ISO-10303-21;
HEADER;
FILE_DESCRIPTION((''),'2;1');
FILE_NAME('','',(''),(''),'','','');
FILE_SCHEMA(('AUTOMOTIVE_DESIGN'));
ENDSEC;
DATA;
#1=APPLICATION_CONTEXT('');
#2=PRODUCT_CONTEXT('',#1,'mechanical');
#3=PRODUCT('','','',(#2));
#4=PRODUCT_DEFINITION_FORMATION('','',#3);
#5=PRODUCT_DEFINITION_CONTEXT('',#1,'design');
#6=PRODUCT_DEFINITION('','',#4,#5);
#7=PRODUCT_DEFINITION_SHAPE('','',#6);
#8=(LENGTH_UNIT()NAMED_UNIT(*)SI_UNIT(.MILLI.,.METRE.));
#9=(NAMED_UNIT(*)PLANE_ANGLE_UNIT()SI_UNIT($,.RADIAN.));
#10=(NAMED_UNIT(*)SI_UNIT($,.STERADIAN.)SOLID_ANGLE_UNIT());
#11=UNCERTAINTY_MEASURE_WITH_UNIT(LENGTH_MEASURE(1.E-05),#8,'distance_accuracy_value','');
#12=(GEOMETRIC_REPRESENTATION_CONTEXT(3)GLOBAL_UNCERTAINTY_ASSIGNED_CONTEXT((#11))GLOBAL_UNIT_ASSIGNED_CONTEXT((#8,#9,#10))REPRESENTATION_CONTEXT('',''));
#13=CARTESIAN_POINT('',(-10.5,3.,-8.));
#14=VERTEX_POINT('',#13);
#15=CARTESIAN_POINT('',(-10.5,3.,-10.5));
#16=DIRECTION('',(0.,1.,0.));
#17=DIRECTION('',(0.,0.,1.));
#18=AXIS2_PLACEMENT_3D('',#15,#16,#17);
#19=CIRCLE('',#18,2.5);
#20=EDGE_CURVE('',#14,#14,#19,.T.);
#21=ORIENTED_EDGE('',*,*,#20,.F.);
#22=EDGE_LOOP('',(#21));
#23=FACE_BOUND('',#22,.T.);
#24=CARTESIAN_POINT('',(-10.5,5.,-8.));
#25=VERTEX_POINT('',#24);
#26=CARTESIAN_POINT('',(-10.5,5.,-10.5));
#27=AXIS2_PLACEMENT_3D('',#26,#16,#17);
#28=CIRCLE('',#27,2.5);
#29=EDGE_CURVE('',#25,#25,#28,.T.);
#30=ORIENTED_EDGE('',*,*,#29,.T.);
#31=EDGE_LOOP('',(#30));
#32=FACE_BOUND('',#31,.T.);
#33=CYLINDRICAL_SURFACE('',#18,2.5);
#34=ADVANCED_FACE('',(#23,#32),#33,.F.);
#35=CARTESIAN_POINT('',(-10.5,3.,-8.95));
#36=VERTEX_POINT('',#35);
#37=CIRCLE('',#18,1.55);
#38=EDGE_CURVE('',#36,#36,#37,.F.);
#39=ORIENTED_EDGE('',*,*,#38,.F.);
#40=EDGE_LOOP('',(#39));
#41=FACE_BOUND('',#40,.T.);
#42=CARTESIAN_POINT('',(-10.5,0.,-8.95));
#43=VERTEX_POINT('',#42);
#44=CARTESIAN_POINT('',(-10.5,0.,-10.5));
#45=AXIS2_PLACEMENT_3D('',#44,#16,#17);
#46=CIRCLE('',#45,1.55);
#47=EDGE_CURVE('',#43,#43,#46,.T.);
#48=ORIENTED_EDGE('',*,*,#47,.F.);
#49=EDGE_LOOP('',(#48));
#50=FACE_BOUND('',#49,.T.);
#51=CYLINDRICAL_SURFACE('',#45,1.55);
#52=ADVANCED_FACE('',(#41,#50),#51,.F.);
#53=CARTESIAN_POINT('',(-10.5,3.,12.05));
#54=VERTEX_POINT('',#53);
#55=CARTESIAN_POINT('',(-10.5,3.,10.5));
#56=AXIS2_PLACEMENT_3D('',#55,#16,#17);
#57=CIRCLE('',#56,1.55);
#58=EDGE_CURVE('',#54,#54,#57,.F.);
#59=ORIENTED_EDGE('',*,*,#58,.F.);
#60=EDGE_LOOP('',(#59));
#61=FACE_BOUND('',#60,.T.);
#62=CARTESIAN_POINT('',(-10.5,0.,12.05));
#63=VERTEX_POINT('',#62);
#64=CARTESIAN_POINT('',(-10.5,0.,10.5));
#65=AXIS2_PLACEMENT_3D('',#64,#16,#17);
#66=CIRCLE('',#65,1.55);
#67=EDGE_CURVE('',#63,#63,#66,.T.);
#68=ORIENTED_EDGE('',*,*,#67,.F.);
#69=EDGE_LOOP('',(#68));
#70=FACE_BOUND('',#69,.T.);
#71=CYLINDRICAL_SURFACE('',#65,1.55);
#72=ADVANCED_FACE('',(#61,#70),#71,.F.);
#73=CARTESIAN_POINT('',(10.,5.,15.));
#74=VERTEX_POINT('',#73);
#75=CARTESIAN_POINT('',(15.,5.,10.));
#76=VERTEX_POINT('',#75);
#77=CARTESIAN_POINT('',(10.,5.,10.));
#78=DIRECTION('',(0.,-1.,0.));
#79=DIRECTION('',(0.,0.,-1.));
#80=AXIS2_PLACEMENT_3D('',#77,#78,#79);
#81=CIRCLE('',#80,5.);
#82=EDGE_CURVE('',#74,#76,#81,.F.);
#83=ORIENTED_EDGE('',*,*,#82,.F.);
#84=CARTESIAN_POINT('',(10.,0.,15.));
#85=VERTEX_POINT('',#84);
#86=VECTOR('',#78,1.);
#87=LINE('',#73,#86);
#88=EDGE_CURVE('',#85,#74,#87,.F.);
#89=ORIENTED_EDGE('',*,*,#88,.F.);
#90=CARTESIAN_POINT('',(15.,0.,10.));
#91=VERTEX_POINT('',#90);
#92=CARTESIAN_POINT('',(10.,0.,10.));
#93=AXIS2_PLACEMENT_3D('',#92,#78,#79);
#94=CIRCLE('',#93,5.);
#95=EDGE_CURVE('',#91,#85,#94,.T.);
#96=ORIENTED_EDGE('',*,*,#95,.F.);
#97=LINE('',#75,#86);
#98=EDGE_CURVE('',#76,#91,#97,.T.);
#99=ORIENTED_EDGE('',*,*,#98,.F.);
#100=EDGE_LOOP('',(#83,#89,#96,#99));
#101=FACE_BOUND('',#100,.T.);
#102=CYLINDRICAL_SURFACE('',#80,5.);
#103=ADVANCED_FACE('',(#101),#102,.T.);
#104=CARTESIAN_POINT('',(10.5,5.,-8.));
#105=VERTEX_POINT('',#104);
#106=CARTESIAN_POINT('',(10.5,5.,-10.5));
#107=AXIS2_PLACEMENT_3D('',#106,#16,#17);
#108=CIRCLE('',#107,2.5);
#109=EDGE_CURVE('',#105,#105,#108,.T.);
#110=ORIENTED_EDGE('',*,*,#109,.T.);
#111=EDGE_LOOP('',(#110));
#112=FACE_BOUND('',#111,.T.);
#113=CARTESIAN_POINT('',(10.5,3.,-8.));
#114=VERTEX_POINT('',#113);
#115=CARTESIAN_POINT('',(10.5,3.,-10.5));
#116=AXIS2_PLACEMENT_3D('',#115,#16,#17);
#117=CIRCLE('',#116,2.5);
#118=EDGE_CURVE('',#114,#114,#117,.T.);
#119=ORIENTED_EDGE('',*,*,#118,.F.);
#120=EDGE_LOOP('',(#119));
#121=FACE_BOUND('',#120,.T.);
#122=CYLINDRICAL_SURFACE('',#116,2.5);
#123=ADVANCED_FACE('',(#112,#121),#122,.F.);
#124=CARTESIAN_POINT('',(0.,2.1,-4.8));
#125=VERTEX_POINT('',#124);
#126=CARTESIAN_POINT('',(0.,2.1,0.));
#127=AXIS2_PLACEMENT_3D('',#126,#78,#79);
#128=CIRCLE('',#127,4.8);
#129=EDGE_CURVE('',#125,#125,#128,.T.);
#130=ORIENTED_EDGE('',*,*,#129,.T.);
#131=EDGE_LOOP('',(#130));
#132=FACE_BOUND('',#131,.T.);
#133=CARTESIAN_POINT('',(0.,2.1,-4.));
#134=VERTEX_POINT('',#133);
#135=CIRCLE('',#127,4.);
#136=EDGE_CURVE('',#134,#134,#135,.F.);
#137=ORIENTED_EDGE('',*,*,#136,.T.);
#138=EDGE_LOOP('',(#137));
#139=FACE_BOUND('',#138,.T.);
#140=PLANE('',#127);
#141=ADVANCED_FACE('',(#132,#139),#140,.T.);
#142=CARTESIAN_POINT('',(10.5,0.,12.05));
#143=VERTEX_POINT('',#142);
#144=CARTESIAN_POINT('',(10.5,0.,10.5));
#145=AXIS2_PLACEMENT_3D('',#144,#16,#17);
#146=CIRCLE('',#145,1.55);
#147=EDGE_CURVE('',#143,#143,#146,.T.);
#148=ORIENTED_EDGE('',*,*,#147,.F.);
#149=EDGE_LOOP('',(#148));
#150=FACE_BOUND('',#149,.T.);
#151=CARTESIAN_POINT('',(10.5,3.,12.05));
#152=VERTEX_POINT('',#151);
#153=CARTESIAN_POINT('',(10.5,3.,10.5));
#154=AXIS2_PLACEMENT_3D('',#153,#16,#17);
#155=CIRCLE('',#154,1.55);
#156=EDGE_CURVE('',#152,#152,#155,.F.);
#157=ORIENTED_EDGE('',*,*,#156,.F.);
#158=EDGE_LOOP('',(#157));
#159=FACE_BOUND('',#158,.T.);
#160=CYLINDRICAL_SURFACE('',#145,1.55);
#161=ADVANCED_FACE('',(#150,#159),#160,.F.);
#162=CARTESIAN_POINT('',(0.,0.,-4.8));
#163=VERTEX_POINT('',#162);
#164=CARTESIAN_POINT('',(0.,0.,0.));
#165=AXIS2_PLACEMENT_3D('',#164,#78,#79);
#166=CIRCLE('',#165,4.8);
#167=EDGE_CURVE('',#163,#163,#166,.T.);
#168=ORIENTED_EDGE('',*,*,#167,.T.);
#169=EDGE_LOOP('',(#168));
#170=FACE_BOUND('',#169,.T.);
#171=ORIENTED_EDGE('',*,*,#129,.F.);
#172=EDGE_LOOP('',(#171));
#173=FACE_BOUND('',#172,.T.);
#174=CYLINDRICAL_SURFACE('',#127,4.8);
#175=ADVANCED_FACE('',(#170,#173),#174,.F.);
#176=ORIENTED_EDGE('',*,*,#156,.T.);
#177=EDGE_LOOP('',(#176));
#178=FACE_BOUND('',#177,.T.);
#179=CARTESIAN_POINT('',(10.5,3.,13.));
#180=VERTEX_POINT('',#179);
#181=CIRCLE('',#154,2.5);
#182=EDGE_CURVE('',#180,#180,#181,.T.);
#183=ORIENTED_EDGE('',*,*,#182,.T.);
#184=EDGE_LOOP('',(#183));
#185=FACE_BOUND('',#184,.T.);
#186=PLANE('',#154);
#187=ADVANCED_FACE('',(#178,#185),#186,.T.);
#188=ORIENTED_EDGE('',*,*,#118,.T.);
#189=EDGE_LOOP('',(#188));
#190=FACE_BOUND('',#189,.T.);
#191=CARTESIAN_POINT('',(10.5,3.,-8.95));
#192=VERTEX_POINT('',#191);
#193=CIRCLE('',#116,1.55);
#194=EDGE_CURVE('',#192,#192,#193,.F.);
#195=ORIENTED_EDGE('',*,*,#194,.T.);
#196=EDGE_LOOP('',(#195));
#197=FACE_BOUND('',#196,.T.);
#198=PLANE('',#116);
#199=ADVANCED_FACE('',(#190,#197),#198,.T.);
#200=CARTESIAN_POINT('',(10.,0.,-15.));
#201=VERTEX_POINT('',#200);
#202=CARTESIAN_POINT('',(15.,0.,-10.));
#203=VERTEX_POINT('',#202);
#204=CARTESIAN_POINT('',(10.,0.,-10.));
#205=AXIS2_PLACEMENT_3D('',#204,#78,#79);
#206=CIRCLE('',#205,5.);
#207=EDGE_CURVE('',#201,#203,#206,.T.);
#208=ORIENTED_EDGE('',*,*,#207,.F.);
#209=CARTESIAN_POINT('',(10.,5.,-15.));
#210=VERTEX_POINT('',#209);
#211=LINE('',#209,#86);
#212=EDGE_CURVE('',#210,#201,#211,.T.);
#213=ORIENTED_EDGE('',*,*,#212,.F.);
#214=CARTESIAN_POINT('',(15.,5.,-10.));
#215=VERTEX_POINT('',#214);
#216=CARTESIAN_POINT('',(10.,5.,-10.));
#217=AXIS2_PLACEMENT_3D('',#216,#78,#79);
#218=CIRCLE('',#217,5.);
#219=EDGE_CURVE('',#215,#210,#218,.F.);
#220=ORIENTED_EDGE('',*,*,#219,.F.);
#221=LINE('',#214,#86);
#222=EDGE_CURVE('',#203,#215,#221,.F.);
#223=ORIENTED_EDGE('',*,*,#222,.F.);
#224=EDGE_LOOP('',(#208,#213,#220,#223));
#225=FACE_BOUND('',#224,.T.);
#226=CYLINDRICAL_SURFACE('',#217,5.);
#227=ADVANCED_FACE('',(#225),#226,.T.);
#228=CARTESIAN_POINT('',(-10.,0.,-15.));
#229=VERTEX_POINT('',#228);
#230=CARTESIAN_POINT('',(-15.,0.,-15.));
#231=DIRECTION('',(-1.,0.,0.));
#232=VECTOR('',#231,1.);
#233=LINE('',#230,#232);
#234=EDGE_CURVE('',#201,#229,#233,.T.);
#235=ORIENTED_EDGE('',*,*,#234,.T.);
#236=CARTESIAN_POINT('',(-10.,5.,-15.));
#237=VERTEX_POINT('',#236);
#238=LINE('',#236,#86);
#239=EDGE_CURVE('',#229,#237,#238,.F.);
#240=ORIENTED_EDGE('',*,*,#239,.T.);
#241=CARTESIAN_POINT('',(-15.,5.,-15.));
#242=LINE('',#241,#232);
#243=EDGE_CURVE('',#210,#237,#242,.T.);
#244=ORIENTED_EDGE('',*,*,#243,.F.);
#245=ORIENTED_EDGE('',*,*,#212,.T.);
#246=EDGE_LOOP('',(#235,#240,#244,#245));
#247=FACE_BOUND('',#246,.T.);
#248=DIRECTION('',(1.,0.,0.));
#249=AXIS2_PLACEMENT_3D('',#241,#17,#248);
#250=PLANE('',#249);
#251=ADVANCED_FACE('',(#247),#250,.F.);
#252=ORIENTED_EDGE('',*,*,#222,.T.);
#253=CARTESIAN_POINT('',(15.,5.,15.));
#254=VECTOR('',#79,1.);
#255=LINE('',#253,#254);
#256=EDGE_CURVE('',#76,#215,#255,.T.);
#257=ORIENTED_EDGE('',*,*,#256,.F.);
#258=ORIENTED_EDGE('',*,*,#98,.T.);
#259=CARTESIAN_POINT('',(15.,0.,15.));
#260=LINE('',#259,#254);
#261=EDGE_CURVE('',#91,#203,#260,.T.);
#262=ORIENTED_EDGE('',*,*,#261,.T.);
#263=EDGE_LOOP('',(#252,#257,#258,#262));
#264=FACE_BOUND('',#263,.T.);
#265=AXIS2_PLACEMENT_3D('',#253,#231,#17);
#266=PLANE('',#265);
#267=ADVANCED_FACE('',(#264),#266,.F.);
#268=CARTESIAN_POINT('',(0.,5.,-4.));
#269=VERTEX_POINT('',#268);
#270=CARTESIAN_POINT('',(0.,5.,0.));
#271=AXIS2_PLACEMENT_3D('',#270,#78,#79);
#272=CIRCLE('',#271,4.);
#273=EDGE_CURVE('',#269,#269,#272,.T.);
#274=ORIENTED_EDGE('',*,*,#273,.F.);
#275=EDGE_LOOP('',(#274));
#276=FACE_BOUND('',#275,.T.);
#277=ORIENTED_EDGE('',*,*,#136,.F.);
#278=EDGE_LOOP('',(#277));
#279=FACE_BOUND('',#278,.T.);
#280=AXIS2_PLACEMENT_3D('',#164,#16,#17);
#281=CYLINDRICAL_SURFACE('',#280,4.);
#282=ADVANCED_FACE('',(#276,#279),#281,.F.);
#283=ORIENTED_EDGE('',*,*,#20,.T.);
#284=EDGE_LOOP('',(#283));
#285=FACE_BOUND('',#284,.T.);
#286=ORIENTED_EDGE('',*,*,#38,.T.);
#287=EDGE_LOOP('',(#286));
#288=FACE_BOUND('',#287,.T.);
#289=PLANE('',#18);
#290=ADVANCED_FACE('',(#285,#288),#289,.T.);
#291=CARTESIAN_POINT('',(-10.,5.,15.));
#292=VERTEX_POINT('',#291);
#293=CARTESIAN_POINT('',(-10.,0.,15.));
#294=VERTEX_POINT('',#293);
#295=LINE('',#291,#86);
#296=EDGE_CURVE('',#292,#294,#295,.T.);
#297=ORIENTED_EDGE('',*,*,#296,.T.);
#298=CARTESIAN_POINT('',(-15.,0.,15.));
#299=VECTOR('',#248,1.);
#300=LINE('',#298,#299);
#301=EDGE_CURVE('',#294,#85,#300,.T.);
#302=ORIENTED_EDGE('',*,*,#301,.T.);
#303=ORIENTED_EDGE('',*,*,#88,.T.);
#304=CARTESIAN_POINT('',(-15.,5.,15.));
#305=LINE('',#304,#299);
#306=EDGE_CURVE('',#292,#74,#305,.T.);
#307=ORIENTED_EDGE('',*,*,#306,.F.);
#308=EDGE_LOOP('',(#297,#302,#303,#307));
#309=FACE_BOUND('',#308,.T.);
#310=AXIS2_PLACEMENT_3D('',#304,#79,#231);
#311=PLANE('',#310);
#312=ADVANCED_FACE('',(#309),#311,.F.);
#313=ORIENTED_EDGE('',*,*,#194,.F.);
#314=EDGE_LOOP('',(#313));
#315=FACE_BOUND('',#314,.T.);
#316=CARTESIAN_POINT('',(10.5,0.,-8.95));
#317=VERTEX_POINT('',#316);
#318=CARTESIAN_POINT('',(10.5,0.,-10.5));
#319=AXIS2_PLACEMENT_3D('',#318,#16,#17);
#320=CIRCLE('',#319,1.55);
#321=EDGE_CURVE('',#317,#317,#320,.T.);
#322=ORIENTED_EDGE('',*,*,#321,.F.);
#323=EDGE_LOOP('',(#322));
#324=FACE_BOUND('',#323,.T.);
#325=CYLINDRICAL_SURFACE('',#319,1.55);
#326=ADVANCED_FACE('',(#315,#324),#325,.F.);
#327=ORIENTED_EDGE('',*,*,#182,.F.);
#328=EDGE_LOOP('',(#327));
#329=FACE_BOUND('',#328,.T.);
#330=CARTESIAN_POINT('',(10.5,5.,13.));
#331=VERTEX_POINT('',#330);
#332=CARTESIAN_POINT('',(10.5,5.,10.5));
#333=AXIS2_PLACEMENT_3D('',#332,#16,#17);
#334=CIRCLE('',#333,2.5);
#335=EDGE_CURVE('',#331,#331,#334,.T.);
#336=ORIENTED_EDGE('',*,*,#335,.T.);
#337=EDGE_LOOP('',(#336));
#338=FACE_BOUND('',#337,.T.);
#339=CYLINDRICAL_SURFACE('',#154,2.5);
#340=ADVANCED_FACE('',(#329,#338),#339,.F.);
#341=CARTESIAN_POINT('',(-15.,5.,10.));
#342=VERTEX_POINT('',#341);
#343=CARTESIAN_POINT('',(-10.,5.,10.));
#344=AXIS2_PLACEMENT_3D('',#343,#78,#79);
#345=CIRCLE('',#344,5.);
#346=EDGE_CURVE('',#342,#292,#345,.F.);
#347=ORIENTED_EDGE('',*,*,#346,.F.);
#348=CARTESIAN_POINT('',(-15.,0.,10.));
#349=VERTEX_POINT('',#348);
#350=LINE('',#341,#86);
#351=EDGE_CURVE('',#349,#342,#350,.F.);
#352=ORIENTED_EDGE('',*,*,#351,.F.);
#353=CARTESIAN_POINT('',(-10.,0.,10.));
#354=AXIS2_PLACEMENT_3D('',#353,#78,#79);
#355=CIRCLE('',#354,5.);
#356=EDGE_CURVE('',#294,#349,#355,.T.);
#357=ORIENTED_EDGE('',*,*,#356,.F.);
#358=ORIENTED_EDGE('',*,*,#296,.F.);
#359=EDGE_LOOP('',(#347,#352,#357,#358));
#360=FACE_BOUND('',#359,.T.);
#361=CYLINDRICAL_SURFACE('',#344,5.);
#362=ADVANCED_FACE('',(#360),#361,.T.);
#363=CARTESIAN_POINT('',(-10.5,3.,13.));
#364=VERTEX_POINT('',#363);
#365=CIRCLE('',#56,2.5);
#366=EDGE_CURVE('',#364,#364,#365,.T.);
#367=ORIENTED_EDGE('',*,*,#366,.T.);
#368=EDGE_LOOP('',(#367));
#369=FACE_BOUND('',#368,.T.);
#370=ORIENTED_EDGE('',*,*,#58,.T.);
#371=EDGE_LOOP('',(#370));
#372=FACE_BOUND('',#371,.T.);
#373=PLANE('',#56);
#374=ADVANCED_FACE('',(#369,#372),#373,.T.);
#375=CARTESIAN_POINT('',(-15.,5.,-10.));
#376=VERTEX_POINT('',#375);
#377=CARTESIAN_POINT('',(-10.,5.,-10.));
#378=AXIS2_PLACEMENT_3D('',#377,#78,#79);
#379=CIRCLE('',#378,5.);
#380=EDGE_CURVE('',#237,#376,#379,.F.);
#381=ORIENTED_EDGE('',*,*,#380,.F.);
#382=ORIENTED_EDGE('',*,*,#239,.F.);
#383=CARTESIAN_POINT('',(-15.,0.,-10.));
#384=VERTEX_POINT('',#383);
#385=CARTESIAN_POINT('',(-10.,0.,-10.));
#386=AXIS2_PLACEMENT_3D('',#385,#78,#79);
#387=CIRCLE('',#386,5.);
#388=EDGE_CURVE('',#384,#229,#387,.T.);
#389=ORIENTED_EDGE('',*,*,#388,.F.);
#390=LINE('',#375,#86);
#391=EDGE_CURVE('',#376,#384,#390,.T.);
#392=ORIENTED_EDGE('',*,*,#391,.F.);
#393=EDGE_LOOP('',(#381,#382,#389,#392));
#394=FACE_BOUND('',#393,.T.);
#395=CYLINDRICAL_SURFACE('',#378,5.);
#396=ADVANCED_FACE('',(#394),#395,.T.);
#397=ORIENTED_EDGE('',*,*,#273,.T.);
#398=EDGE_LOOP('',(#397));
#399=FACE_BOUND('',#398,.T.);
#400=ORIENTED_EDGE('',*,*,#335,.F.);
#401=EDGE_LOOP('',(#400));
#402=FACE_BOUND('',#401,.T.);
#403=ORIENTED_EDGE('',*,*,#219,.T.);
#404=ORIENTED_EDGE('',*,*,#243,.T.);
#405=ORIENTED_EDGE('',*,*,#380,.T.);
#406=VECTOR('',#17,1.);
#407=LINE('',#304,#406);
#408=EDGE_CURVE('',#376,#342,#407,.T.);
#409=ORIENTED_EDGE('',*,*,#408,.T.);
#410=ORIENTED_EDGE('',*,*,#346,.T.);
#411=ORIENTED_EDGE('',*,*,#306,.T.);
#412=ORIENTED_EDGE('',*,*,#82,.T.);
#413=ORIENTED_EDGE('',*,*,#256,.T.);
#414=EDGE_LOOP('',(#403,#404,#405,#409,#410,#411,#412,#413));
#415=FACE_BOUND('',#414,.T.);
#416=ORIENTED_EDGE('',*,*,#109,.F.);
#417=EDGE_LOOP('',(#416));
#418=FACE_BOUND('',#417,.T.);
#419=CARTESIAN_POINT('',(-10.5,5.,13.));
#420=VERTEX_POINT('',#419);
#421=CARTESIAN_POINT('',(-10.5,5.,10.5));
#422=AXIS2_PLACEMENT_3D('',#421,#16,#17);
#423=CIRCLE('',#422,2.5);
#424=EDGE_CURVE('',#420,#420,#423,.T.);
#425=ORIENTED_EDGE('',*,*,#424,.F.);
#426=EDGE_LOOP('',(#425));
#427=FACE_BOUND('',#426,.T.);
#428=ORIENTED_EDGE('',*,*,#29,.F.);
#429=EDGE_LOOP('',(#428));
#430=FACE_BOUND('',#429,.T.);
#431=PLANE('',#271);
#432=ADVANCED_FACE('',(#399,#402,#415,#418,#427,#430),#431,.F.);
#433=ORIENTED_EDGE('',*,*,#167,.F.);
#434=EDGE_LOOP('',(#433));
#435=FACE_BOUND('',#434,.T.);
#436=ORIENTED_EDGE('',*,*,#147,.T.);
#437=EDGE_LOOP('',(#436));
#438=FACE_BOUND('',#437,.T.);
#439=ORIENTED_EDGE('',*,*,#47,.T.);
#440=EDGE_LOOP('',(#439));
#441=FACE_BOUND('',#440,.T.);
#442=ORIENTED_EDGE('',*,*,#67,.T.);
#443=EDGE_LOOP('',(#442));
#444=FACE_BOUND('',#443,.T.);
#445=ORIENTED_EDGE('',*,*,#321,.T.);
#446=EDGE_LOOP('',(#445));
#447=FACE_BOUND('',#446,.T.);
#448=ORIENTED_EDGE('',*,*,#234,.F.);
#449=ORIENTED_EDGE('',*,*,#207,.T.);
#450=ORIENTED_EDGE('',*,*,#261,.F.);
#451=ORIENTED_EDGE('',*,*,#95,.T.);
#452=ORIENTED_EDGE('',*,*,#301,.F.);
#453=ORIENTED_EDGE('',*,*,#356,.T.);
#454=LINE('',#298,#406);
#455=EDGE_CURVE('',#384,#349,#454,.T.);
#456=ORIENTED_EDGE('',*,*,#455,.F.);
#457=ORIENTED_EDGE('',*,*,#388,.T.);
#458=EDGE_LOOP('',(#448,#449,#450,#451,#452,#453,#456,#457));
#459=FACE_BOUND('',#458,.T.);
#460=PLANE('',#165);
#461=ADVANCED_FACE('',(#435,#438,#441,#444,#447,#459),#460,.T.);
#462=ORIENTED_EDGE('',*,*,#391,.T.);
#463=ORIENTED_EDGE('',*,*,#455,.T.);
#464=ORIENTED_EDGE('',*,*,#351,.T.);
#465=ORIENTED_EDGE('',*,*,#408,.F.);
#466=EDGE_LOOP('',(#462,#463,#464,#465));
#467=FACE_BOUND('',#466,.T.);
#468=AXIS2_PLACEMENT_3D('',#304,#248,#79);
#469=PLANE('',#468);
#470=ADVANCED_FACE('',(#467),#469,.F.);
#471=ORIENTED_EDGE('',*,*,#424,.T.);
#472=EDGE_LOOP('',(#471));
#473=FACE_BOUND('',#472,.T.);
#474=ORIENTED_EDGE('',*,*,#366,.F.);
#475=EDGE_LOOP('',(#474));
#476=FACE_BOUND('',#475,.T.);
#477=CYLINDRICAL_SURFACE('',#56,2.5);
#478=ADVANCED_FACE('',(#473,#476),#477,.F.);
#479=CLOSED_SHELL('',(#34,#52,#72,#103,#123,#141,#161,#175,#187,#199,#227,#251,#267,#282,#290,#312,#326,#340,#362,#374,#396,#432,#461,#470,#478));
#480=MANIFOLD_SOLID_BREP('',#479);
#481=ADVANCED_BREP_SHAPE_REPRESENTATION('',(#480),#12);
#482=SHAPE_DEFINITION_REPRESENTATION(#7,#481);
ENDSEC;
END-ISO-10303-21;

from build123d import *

# Parameters (mm, degrees)
SKETCH1_W               = 30
SKETCH1_H               = 30
BOSS_EXTRUDE1_DEPTH     = 5
SKETCH2_R               = 4
CUT_EXTRUDE1_DEPTH      = 1
CUT_EXTRUDE1_DEPTH_BACK = 6
SKETCH3_R               = 1.55
CUT_EXTRUDE2_DEPTH      = 1
CUT_EXTRUDE2_DEPTH_BACK = 6
SKETCH4_R               = 4.8
CUT_EXTRUDE3_DEPTH      = 2.1
FILLET1_R               = 5
SKETCH5_R               = 2.5
CUT_EXTRUDE4_DEPTH      = 2


with BuildPart() as part:
    # Sketch1 → Boss-Extrude1 (new body)
    with BuildSketch(Plane(origin=(0, 0, 0), x_dir=(1, 0, 0), z_dir=(0, 1, 0))):
        Rectangle(SKETCH1_W, SKETCH1_H)
    extrude(amount=BOSS_EXTRUDE1_DEPTH)

    # Sketch2 → Cut-Extrude1 (cut, two sides)
    with BuildSketch(Plane(origin=(0, 5, 0), x_dir=(1, 0, 0), z_dir=(0, 1, 0))) as cut_extrude1_sk:
        Circle(SKETCH2_R)
    extrude(amount=CUT_EXTRUDE1_DEPTH, mode=Mode.SUBTRACT)
    extrude(cut_extrude1_sk.sketch, amount=-CUT_EXTRUDE1_DEPTH_BACK, mode=Mode.SUBTRACT)

    # Sketch3 → Cut-Extrude2 (cut, two sides)
    with BuildSketch(Plane(origin=(0, 5, 0), x_dir=(1, 0, 0), z_dir=(0, 1, 0))) as cut_extrude2_sk:
        with Locations((-10.5, 10.5)):
            Circle(SKETCH3_R)
        with Locations((10.5, 10.5)):
            Circle(SKETCH3_R)
        with Locations((10.5, -10.5)):
            Circle(SKETCH3_R)
        with Locations((-10.5, -10.5)):
            Circle(SKETCH3_R)
    extrude(amount=CUT_EXTRUDE2_DEPTH, mode=Mode.SUBTRACT)
    extrude(cut_extrude2_sk.sketch, amount=-CUT_EXTRUDE2_DEPTH_BACK, mode=Mode.SUBTRACT)

    # Sketch4 → Cut-Extrude3 (cut)
    with BuildSketch(Plane.XZ):
        Circle(SKETCH4_R)
    extrude(amount=-CUT_EXTRUDE3_DEPTH, mode=Mode.SUBTRACT)

    # Fillet1
    fillet1_edges = [part.edges().sort_by_distance(p)[0] for p in [
        (15, 2.5, 15),
        (-15, 2.5, 15),
        (-15, 2.5, -15),
        (15, 2.5, -15),
    ]]
    fillet(fillet1_edges, radius=FILLET1_R)

    # Sketch5 → Cut-Extrude4 (cut)
    with BuildSketch(Plane(origin=(0, 5, 0), x_dir=(1, 0, 0), z_dir=(0, 1, 0))):
        with Locations((-10.5, 10.5)):
            Circle(SKETCH5_R)
        with Locations((10.5, 10.5)):
            Circle(SKETCH5_R)
        with Locations((-10.5, -10.5)):
            Circle(SKETCH5_R)
        with Locations((10.5, -10.5)):
            Circle(SKETCH5_R)
    extrude(amount=-CUT_EXTRUDE4_DEPTH, mode=Mode.SUBTRACT)


solid = part.part
